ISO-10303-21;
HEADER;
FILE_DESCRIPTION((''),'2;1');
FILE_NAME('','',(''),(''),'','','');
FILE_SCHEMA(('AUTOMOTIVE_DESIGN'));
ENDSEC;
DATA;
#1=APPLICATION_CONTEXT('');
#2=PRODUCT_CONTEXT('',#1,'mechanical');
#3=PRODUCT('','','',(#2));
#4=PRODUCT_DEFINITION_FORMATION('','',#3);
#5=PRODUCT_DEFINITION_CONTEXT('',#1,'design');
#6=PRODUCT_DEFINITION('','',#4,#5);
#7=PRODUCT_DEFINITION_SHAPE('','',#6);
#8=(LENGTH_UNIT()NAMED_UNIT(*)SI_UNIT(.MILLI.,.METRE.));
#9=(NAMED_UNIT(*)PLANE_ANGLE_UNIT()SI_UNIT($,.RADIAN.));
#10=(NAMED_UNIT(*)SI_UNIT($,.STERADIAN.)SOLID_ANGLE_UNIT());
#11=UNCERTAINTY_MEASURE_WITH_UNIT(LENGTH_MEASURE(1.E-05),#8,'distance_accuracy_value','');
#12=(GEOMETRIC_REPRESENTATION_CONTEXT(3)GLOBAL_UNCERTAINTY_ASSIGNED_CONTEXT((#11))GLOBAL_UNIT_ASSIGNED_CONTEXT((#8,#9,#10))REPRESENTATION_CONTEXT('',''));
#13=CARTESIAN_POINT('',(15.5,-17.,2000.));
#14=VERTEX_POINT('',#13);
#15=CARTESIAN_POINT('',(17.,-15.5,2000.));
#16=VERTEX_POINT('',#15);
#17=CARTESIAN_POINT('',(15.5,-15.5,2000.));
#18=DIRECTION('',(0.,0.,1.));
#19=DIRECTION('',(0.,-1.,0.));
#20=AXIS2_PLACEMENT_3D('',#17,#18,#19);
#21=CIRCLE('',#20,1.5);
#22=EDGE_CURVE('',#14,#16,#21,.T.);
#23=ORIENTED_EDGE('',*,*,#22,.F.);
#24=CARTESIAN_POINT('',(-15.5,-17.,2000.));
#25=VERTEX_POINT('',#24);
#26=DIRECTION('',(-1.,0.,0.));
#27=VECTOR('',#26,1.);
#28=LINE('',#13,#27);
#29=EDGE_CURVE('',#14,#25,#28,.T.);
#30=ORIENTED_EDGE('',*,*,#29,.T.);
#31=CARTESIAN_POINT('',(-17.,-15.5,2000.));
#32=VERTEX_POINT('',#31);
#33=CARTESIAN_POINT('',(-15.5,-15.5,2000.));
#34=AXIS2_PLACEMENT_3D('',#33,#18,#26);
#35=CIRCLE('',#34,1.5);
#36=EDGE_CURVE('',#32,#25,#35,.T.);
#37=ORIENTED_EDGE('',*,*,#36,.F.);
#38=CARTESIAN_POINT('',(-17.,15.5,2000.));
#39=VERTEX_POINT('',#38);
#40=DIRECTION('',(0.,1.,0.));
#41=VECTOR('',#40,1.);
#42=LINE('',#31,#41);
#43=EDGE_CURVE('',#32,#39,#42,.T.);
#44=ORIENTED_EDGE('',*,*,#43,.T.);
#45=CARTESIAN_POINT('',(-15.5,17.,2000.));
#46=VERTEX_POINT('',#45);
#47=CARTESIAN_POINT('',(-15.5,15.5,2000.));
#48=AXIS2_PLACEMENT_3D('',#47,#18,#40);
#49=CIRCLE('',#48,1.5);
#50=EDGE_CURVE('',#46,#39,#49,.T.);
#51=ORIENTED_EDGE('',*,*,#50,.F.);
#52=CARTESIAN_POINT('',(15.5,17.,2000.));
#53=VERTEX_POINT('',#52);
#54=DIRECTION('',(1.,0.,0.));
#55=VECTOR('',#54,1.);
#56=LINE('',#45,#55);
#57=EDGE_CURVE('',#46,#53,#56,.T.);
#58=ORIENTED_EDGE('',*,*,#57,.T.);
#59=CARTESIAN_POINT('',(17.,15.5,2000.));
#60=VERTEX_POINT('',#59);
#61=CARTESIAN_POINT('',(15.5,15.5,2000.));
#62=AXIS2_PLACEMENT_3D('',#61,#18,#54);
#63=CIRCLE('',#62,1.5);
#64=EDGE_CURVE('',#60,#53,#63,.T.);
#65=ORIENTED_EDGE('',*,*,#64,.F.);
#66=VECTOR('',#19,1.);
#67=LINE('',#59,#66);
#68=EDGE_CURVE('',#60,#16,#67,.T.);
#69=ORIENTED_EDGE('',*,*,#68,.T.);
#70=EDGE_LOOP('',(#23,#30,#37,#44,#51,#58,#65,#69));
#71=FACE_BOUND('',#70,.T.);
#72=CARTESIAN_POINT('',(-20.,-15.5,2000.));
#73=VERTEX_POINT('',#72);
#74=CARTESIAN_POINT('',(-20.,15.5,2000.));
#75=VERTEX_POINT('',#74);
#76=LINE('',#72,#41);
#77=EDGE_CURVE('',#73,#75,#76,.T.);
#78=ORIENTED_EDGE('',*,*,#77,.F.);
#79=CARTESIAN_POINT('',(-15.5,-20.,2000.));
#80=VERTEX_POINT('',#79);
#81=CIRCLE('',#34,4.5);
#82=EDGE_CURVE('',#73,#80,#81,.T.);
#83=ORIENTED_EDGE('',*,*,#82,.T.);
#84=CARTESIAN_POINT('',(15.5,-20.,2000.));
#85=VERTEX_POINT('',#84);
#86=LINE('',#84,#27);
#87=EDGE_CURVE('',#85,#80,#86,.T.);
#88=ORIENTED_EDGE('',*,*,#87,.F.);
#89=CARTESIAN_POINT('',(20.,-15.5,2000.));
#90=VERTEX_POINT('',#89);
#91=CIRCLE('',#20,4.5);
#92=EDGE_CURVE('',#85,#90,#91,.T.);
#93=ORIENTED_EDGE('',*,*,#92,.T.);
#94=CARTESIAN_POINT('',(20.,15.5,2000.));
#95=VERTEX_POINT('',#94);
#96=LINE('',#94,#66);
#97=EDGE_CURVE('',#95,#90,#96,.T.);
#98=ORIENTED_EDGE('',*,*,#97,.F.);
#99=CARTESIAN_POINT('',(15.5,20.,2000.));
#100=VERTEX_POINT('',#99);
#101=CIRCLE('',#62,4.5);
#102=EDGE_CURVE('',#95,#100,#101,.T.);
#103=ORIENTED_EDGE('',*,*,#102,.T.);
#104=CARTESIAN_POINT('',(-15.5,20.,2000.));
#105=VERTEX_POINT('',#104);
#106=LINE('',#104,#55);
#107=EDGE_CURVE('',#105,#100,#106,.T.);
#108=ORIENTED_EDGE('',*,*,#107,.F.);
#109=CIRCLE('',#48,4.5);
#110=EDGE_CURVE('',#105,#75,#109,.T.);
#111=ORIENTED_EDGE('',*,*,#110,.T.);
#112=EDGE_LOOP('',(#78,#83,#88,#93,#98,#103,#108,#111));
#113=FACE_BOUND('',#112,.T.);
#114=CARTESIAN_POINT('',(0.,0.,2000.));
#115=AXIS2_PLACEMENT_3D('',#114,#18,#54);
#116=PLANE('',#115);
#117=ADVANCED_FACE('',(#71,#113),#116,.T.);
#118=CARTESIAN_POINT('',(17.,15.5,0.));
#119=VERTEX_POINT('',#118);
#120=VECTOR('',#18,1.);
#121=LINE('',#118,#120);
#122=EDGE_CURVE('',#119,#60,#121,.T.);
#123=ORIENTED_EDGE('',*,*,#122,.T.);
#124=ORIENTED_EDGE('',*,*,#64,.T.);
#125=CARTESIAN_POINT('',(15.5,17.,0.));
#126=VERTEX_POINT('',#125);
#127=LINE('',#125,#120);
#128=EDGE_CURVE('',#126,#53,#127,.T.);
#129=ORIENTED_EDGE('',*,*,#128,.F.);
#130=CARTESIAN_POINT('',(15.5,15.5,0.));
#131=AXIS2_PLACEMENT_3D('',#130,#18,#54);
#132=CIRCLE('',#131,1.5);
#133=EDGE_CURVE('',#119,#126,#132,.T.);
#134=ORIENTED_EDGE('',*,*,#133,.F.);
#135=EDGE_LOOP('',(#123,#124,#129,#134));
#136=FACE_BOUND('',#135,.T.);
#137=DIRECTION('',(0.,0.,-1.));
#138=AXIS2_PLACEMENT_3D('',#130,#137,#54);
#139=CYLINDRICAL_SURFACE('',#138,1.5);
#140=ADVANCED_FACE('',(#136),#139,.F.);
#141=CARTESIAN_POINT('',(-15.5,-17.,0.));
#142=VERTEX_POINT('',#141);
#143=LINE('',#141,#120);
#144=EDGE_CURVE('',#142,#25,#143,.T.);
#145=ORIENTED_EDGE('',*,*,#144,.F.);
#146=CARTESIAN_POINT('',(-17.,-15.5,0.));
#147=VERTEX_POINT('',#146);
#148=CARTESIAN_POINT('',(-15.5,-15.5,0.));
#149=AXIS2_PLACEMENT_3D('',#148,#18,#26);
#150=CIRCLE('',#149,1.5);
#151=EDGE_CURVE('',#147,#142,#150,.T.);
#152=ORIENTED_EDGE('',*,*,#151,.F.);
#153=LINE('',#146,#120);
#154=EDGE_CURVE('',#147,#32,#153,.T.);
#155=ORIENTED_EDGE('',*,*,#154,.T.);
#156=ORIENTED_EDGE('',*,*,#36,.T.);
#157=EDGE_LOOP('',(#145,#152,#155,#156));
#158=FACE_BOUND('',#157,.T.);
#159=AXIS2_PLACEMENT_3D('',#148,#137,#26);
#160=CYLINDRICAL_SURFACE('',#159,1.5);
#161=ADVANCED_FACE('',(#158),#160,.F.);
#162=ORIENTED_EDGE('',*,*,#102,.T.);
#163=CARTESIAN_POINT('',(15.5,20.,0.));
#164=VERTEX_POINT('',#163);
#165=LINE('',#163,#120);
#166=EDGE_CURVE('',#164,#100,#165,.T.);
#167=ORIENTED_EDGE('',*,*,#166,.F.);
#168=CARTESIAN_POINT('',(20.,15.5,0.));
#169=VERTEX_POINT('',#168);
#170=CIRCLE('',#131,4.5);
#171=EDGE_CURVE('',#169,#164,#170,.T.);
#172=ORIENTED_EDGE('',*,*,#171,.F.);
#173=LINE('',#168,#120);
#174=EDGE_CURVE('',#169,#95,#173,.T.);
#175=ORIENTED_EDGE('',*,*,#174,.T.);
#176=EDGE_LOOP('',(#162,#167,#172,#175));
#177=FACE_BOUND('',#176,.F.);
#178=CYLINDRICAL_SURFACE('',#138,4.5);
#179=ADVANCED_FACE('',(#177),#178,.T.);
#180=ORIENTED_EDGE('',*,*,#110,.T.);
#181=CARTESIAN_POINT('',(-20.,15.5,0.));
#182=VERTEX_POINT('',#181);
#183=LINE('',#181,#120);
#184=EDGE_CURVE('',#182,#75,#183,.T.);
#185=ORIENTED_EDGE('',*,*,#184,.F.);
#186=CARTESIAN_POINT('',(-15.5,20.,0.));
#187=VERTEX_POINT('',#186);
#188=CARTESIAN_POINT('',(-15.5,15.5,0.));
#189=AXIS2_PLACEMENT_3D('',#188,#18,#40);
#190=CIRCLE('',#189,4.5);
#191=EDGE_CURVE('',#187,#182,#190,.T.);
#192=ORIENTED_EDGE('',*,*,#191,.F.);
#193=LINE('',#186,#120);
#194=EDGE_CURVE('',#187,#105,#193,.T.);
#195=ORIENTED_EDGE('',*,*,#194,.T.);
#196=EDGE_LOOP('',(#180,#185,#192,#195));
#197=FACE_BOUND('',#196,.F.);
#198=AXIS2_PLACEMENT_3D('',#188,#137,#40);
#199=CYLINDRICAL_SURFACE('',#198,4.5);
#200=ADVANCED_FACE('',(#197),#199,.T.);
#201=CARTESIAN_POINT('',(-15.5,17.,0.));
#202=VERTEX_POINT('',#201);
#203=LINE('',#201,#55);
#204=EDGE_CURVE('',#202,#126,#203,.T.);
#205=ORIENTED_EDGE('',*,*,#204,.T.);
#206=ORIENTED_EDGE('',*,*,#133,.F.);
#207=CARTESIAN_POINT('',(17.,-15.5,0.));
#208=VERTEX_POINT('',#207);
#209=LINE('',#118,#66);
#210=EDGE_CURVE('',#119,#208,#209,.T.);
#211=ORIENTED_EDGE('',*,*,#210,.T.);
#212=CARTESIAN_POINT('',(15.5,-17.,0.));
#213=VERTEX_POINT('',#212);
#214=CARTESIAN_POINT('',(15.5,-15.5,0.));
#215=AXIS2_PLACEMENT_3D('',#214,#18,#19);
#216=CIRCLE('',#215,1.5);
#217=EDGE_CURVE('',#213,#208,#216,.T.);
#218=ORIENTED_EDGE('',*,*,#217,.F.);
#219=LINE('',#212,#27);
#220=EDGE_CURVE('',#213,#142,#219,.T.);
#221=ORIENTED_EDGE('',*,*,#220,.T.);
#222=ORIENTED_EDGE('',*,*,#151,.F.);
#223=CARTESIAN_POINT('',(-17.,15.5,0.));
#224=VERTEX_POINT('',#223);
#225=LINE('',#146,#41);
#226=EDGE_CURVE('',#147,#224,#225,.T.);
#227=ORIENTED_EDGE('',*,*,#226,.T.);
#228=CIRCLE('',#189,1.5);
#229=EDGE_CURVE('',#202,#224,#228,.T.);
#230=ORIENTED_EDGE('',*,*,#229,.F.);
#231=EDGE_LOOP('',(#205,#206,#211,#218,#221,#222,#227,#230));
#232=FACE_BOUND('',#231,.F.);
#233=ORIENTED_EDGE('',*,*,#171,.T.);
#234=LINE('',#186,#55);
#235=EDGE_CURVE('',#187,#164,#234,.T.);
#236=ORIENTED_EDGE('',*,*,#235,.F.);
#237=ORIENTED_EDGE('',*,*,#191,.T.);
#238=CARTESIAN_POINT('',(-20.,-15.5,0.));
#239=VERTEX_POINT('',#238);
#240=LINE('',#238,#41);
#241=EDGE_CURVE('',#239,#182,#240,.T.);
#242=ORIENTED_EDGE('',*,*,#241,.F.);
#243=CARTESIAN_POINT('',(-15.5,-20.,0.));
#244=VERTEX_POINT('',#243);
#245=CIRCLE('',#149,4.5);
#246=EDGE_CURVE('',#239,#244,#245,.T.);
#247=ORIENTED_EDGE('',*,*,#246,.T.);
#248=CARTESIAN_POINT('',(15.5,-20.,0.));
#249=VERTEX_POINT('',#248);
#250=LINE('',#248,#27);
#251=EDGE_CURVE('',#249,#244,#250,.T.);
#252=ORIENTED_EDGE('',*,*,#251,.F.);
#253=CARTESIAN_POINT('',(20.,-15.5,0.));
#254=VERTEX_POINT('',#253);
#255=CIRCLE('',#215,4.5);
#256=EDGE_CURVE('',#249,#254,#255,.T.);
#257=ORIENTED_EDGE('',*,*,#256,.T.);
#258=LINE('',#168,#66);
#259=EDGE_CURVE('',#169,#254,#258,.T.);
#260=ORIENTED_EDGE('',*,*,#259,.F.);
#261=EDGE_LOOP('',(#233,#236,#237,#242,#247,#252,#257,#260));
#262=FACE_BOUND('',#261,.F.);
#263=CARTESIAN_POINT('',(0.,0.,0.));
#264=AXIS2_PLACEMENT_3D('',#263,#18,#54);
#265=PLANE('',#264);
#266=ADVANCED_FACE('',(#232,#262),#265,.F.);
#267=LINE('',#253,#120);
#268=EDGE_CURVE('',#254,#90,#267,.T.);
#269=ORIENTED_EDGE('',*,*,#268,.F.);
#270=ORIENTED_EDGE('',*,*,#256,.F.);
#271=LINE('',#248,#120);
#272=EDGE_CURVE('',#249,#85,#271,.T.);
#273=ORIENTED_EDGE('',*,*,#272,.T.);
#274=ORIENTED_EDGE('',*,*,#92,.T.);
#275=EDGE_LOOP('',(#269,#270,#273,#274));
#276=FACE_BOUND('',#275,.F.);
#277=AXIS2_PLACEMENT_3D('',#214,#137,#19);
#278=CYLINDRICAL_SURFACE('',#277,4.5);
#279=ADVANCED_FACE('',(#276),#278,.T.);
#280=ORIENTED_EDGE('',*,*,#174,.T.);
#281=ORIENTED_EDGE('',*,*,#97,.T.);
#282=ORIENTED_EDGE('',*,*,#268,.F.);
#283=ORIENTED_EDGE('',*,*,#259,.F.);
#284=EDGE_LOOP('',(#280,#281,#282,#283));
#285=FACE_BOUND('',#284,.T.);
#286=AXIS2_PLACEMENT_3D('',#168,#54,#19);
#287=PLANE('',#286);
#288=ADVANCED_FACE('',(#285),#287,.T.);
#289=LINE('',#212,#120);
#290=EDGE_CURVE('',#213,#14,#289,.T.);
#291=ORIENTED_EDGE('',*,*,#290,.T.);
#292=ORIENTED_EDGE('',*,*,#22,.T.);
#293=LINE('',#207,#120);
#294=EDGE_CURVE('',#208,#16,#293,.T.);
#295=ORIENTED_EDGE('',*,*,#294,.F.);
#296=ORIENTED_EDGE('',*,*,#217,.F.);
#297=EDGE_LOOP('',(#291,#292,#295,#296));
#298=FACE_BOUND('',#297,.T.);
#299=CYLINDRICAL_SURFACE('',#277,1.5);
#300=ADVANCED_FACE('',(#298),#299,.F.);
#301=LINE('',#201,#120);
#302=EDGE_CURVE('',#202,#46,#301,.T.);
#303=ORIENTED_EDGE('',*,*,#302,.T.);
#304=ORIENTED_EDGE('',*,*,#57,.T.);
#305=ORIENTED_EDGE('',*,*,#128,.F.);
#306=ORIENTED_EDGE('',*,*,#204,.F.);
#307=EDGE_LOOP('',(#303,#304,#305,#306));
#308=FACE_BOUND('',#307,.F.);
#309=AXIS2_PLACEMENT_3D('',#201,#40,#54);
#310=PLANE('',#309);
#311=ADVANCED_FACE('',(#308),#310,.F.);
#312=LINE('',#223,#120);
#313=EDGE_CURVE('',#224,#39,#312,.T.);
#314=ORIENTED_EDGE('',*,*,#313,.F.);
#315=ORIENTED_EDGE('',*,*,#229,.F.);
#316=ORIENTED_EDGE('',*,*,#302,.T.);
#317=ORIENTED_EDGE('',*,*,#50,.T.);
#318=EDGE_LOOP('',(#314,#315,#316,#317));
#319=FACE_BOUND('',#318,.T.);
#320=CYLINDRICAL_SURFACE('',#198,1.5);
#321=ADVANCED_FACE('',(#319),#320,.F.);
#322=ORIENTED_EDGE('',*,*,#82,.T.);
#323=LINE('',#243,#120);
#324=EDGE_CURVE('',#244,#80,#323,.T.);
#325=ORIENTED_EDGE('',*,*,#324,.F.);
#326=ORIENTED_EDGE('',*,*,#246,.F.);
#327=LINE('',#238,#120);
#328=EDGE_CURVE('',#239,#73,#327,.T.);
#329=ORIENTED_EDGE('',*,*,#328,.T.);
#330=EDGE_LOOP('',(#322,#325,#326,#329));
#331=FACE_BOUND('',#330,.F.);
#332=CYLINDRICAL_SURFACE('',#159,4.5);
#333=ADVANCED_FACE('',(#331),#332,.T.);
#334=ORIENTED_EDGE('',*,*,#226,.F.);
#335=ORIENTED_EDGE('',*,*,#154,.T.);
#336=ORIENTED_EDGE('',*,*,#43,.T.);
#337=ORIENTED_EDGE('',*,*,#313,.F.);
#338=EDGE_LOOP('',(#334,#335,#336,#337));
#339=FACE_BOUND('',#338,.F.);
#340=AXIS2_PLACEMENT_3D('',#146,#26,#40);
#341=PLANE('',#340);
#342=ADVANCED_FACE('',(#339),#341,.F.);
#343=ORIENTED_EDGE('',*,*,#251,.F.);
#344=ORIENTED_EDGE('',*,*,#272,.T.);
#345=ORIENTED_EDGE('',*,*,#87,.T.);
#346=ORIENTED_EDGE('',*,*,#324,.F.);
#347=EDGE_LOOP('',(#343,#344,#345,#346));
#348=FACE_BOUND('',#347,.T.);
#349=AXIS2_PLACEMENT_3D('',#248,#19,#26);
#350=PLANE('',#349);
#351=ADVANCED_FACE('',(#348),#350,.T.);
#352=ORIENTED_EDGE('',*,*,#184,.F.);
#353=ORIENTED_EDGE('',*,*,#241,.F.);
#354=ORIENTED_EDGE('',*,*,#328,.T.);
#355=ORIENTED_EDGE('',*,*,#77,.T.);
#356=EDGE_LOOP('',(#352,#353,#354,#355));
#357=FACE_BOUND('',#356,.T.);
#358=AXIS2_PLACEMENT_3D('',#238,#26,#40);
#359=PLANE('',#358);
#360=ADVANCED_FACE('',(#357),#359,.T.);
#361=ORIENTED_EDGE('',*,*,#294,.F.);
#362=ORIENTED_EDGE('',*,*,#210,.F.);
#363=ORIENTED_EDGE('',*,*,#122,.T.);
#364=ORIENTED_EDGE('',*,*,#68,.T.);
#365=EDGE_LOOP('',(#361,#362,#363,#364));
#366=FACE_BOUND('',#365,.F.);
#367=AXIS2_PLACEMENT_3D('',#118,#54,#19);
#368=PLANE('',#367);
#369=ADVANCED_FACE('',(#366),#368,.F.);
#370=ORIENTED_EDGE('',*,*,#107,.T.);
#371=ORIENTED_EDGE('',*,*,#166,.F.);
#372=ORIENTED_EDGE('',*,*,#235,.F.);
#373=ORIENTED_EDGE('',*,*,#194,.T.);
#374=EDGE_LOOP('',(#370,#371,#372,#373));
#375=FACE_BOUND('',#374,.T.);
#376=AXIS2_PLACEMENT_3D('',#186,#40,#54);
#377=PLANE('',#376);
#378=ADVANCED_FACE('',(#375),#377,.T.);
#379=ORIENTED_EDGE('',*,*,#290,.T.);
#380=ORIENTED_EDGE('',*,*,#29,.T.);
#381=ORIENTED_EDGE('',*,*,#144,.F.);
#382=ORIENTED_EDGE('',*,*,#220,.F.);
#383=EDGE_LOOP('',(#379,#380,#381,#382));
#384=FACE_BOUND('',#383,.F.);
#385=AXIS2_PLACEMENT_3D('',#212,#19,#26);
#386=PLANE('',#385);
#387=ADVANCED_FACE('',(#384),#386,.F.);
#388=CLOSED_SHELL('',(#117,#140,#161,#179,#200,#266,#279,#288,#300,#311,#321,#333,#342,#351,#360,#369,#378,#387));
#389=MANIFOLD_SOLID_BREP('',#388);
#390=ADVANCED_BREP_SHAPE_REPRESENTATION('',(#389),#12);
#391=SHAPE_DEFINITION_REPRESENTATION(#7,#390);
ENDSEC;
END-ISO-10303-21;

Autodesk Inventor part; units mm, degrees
ref_plane "YZ Plane" through (0, 0, 0) normal (1, 0, 0) x (0, 1, 0)
ref_plane "Start Plane" through (0, 0, 0) normal (0, 0, 1) x (1, 0, 0)
ref_plane "End Plane" through (0, 0, 2000) normal (0, 0, 1) x (1, 0, 0)
sketch "Sketch" plane through (0, 0, 0) normal (0, 0, 1) x (1, 0, 0)
  line L0 (-20, -15.5) -> (-20, 15.5)
  line L1 (-15.5, 20) -> (15.5, 20)
  line L2 (20, 15.5) -> (20, -15.5)
  line L3 (15.5, -20) -> (-15.5, -20)
  arc A0 (-20, -15.5) -> (-15.5, -20) centre (-15.5, -15.5) ccw
  arc A1 (-15.5, 20) -> (-20, 15.5) centre (-15.5, 15.5) ccw
  arc A2 (20, 15.5) -> (15.5, 20) centre (15.5, 15.5) ccw
  arc A3 (15.5, -20) -> (20, -15.5) centre (15.5, -15.5) ccw
  arc A4 (-15.5, 17) -> (-17, 15.5) centre (-15.5, 15.5) ccw
  line L4 (-15.5, 17) -> (15.5, 17)
  arc A5 (17, 15.5) -> (15.5, 17) centre (15.5, 15.5) ccw
  line L5 (17, 15.5) -> (17, -15.5)
  arc A6 (15.5, -17) -> (17, -15.5) centre (15.5, -15.5) ccw
  line L6 (15.5, -17) -> (-15.5, -17)
  arc A7 (-17, -15.5) -> (-15.5, -17) centre (-15.5, -15.5) ccw
  line L7 (-17, -15.5) -> (-17, 15.5)
  line L8 (0, 29.3048) -> (0, -29.3048) construction
  line L9 (-29.3048, 0) -> (29.3048, 0) construction
  dimension "d7" = 4.5
  dimension "d10" = 40
  dimension "d11" = 40
  dimension "d12" = 3
  dimension "d15" = 20
  dimension "d16" = 20
extrude "Body" add sketch "Sketch" along normal up to surface (2000 mm away) from surface at 0
sketch "Sketch3" plane through (0, 0, 0) normal (0, 0, 1) x (1, 0, 0)
  line L0 (0, 0) -> (10, 0)
ref_plane "Work Plane3" through (0, 0, 0) normal (0, -1, 0) x (1, 0, 0)
sketch "Sketch4" plane through (0, 0, 0) normal (0, -1, 0) x (1, 0, 0)
  line L0 (-2, 0) -> (12, 0) projected
  line L1 (-2, 2000) -> (12, 2000) projected
  dimension "d18" = 2000
equation "\"d7\" = G_IR"
equation "\"d10\" = G_H"
equation "\"d11\" = G_W"
equation "\"d12\" = G_T"
equation "\"d15\" = 0.5 * d10"
equation "\"d16\" = 0.5 * d11"
equation "\"d3\" = G_L"
equation "\"G_W\" = 40"
equation "\"G_H\" = 40"
equation "\"G_T\" = 3"
equation "\"G_IR\" = 4.5"
equation "\"G_L\" = d18"
equation "\"G_OFFSET_START\" = 0"
equation "\"G_OFFSET_END\" = 0"
properties part number "ISO 12633-2 - 40x40x3 - 2000" material "Steel, Mild"
